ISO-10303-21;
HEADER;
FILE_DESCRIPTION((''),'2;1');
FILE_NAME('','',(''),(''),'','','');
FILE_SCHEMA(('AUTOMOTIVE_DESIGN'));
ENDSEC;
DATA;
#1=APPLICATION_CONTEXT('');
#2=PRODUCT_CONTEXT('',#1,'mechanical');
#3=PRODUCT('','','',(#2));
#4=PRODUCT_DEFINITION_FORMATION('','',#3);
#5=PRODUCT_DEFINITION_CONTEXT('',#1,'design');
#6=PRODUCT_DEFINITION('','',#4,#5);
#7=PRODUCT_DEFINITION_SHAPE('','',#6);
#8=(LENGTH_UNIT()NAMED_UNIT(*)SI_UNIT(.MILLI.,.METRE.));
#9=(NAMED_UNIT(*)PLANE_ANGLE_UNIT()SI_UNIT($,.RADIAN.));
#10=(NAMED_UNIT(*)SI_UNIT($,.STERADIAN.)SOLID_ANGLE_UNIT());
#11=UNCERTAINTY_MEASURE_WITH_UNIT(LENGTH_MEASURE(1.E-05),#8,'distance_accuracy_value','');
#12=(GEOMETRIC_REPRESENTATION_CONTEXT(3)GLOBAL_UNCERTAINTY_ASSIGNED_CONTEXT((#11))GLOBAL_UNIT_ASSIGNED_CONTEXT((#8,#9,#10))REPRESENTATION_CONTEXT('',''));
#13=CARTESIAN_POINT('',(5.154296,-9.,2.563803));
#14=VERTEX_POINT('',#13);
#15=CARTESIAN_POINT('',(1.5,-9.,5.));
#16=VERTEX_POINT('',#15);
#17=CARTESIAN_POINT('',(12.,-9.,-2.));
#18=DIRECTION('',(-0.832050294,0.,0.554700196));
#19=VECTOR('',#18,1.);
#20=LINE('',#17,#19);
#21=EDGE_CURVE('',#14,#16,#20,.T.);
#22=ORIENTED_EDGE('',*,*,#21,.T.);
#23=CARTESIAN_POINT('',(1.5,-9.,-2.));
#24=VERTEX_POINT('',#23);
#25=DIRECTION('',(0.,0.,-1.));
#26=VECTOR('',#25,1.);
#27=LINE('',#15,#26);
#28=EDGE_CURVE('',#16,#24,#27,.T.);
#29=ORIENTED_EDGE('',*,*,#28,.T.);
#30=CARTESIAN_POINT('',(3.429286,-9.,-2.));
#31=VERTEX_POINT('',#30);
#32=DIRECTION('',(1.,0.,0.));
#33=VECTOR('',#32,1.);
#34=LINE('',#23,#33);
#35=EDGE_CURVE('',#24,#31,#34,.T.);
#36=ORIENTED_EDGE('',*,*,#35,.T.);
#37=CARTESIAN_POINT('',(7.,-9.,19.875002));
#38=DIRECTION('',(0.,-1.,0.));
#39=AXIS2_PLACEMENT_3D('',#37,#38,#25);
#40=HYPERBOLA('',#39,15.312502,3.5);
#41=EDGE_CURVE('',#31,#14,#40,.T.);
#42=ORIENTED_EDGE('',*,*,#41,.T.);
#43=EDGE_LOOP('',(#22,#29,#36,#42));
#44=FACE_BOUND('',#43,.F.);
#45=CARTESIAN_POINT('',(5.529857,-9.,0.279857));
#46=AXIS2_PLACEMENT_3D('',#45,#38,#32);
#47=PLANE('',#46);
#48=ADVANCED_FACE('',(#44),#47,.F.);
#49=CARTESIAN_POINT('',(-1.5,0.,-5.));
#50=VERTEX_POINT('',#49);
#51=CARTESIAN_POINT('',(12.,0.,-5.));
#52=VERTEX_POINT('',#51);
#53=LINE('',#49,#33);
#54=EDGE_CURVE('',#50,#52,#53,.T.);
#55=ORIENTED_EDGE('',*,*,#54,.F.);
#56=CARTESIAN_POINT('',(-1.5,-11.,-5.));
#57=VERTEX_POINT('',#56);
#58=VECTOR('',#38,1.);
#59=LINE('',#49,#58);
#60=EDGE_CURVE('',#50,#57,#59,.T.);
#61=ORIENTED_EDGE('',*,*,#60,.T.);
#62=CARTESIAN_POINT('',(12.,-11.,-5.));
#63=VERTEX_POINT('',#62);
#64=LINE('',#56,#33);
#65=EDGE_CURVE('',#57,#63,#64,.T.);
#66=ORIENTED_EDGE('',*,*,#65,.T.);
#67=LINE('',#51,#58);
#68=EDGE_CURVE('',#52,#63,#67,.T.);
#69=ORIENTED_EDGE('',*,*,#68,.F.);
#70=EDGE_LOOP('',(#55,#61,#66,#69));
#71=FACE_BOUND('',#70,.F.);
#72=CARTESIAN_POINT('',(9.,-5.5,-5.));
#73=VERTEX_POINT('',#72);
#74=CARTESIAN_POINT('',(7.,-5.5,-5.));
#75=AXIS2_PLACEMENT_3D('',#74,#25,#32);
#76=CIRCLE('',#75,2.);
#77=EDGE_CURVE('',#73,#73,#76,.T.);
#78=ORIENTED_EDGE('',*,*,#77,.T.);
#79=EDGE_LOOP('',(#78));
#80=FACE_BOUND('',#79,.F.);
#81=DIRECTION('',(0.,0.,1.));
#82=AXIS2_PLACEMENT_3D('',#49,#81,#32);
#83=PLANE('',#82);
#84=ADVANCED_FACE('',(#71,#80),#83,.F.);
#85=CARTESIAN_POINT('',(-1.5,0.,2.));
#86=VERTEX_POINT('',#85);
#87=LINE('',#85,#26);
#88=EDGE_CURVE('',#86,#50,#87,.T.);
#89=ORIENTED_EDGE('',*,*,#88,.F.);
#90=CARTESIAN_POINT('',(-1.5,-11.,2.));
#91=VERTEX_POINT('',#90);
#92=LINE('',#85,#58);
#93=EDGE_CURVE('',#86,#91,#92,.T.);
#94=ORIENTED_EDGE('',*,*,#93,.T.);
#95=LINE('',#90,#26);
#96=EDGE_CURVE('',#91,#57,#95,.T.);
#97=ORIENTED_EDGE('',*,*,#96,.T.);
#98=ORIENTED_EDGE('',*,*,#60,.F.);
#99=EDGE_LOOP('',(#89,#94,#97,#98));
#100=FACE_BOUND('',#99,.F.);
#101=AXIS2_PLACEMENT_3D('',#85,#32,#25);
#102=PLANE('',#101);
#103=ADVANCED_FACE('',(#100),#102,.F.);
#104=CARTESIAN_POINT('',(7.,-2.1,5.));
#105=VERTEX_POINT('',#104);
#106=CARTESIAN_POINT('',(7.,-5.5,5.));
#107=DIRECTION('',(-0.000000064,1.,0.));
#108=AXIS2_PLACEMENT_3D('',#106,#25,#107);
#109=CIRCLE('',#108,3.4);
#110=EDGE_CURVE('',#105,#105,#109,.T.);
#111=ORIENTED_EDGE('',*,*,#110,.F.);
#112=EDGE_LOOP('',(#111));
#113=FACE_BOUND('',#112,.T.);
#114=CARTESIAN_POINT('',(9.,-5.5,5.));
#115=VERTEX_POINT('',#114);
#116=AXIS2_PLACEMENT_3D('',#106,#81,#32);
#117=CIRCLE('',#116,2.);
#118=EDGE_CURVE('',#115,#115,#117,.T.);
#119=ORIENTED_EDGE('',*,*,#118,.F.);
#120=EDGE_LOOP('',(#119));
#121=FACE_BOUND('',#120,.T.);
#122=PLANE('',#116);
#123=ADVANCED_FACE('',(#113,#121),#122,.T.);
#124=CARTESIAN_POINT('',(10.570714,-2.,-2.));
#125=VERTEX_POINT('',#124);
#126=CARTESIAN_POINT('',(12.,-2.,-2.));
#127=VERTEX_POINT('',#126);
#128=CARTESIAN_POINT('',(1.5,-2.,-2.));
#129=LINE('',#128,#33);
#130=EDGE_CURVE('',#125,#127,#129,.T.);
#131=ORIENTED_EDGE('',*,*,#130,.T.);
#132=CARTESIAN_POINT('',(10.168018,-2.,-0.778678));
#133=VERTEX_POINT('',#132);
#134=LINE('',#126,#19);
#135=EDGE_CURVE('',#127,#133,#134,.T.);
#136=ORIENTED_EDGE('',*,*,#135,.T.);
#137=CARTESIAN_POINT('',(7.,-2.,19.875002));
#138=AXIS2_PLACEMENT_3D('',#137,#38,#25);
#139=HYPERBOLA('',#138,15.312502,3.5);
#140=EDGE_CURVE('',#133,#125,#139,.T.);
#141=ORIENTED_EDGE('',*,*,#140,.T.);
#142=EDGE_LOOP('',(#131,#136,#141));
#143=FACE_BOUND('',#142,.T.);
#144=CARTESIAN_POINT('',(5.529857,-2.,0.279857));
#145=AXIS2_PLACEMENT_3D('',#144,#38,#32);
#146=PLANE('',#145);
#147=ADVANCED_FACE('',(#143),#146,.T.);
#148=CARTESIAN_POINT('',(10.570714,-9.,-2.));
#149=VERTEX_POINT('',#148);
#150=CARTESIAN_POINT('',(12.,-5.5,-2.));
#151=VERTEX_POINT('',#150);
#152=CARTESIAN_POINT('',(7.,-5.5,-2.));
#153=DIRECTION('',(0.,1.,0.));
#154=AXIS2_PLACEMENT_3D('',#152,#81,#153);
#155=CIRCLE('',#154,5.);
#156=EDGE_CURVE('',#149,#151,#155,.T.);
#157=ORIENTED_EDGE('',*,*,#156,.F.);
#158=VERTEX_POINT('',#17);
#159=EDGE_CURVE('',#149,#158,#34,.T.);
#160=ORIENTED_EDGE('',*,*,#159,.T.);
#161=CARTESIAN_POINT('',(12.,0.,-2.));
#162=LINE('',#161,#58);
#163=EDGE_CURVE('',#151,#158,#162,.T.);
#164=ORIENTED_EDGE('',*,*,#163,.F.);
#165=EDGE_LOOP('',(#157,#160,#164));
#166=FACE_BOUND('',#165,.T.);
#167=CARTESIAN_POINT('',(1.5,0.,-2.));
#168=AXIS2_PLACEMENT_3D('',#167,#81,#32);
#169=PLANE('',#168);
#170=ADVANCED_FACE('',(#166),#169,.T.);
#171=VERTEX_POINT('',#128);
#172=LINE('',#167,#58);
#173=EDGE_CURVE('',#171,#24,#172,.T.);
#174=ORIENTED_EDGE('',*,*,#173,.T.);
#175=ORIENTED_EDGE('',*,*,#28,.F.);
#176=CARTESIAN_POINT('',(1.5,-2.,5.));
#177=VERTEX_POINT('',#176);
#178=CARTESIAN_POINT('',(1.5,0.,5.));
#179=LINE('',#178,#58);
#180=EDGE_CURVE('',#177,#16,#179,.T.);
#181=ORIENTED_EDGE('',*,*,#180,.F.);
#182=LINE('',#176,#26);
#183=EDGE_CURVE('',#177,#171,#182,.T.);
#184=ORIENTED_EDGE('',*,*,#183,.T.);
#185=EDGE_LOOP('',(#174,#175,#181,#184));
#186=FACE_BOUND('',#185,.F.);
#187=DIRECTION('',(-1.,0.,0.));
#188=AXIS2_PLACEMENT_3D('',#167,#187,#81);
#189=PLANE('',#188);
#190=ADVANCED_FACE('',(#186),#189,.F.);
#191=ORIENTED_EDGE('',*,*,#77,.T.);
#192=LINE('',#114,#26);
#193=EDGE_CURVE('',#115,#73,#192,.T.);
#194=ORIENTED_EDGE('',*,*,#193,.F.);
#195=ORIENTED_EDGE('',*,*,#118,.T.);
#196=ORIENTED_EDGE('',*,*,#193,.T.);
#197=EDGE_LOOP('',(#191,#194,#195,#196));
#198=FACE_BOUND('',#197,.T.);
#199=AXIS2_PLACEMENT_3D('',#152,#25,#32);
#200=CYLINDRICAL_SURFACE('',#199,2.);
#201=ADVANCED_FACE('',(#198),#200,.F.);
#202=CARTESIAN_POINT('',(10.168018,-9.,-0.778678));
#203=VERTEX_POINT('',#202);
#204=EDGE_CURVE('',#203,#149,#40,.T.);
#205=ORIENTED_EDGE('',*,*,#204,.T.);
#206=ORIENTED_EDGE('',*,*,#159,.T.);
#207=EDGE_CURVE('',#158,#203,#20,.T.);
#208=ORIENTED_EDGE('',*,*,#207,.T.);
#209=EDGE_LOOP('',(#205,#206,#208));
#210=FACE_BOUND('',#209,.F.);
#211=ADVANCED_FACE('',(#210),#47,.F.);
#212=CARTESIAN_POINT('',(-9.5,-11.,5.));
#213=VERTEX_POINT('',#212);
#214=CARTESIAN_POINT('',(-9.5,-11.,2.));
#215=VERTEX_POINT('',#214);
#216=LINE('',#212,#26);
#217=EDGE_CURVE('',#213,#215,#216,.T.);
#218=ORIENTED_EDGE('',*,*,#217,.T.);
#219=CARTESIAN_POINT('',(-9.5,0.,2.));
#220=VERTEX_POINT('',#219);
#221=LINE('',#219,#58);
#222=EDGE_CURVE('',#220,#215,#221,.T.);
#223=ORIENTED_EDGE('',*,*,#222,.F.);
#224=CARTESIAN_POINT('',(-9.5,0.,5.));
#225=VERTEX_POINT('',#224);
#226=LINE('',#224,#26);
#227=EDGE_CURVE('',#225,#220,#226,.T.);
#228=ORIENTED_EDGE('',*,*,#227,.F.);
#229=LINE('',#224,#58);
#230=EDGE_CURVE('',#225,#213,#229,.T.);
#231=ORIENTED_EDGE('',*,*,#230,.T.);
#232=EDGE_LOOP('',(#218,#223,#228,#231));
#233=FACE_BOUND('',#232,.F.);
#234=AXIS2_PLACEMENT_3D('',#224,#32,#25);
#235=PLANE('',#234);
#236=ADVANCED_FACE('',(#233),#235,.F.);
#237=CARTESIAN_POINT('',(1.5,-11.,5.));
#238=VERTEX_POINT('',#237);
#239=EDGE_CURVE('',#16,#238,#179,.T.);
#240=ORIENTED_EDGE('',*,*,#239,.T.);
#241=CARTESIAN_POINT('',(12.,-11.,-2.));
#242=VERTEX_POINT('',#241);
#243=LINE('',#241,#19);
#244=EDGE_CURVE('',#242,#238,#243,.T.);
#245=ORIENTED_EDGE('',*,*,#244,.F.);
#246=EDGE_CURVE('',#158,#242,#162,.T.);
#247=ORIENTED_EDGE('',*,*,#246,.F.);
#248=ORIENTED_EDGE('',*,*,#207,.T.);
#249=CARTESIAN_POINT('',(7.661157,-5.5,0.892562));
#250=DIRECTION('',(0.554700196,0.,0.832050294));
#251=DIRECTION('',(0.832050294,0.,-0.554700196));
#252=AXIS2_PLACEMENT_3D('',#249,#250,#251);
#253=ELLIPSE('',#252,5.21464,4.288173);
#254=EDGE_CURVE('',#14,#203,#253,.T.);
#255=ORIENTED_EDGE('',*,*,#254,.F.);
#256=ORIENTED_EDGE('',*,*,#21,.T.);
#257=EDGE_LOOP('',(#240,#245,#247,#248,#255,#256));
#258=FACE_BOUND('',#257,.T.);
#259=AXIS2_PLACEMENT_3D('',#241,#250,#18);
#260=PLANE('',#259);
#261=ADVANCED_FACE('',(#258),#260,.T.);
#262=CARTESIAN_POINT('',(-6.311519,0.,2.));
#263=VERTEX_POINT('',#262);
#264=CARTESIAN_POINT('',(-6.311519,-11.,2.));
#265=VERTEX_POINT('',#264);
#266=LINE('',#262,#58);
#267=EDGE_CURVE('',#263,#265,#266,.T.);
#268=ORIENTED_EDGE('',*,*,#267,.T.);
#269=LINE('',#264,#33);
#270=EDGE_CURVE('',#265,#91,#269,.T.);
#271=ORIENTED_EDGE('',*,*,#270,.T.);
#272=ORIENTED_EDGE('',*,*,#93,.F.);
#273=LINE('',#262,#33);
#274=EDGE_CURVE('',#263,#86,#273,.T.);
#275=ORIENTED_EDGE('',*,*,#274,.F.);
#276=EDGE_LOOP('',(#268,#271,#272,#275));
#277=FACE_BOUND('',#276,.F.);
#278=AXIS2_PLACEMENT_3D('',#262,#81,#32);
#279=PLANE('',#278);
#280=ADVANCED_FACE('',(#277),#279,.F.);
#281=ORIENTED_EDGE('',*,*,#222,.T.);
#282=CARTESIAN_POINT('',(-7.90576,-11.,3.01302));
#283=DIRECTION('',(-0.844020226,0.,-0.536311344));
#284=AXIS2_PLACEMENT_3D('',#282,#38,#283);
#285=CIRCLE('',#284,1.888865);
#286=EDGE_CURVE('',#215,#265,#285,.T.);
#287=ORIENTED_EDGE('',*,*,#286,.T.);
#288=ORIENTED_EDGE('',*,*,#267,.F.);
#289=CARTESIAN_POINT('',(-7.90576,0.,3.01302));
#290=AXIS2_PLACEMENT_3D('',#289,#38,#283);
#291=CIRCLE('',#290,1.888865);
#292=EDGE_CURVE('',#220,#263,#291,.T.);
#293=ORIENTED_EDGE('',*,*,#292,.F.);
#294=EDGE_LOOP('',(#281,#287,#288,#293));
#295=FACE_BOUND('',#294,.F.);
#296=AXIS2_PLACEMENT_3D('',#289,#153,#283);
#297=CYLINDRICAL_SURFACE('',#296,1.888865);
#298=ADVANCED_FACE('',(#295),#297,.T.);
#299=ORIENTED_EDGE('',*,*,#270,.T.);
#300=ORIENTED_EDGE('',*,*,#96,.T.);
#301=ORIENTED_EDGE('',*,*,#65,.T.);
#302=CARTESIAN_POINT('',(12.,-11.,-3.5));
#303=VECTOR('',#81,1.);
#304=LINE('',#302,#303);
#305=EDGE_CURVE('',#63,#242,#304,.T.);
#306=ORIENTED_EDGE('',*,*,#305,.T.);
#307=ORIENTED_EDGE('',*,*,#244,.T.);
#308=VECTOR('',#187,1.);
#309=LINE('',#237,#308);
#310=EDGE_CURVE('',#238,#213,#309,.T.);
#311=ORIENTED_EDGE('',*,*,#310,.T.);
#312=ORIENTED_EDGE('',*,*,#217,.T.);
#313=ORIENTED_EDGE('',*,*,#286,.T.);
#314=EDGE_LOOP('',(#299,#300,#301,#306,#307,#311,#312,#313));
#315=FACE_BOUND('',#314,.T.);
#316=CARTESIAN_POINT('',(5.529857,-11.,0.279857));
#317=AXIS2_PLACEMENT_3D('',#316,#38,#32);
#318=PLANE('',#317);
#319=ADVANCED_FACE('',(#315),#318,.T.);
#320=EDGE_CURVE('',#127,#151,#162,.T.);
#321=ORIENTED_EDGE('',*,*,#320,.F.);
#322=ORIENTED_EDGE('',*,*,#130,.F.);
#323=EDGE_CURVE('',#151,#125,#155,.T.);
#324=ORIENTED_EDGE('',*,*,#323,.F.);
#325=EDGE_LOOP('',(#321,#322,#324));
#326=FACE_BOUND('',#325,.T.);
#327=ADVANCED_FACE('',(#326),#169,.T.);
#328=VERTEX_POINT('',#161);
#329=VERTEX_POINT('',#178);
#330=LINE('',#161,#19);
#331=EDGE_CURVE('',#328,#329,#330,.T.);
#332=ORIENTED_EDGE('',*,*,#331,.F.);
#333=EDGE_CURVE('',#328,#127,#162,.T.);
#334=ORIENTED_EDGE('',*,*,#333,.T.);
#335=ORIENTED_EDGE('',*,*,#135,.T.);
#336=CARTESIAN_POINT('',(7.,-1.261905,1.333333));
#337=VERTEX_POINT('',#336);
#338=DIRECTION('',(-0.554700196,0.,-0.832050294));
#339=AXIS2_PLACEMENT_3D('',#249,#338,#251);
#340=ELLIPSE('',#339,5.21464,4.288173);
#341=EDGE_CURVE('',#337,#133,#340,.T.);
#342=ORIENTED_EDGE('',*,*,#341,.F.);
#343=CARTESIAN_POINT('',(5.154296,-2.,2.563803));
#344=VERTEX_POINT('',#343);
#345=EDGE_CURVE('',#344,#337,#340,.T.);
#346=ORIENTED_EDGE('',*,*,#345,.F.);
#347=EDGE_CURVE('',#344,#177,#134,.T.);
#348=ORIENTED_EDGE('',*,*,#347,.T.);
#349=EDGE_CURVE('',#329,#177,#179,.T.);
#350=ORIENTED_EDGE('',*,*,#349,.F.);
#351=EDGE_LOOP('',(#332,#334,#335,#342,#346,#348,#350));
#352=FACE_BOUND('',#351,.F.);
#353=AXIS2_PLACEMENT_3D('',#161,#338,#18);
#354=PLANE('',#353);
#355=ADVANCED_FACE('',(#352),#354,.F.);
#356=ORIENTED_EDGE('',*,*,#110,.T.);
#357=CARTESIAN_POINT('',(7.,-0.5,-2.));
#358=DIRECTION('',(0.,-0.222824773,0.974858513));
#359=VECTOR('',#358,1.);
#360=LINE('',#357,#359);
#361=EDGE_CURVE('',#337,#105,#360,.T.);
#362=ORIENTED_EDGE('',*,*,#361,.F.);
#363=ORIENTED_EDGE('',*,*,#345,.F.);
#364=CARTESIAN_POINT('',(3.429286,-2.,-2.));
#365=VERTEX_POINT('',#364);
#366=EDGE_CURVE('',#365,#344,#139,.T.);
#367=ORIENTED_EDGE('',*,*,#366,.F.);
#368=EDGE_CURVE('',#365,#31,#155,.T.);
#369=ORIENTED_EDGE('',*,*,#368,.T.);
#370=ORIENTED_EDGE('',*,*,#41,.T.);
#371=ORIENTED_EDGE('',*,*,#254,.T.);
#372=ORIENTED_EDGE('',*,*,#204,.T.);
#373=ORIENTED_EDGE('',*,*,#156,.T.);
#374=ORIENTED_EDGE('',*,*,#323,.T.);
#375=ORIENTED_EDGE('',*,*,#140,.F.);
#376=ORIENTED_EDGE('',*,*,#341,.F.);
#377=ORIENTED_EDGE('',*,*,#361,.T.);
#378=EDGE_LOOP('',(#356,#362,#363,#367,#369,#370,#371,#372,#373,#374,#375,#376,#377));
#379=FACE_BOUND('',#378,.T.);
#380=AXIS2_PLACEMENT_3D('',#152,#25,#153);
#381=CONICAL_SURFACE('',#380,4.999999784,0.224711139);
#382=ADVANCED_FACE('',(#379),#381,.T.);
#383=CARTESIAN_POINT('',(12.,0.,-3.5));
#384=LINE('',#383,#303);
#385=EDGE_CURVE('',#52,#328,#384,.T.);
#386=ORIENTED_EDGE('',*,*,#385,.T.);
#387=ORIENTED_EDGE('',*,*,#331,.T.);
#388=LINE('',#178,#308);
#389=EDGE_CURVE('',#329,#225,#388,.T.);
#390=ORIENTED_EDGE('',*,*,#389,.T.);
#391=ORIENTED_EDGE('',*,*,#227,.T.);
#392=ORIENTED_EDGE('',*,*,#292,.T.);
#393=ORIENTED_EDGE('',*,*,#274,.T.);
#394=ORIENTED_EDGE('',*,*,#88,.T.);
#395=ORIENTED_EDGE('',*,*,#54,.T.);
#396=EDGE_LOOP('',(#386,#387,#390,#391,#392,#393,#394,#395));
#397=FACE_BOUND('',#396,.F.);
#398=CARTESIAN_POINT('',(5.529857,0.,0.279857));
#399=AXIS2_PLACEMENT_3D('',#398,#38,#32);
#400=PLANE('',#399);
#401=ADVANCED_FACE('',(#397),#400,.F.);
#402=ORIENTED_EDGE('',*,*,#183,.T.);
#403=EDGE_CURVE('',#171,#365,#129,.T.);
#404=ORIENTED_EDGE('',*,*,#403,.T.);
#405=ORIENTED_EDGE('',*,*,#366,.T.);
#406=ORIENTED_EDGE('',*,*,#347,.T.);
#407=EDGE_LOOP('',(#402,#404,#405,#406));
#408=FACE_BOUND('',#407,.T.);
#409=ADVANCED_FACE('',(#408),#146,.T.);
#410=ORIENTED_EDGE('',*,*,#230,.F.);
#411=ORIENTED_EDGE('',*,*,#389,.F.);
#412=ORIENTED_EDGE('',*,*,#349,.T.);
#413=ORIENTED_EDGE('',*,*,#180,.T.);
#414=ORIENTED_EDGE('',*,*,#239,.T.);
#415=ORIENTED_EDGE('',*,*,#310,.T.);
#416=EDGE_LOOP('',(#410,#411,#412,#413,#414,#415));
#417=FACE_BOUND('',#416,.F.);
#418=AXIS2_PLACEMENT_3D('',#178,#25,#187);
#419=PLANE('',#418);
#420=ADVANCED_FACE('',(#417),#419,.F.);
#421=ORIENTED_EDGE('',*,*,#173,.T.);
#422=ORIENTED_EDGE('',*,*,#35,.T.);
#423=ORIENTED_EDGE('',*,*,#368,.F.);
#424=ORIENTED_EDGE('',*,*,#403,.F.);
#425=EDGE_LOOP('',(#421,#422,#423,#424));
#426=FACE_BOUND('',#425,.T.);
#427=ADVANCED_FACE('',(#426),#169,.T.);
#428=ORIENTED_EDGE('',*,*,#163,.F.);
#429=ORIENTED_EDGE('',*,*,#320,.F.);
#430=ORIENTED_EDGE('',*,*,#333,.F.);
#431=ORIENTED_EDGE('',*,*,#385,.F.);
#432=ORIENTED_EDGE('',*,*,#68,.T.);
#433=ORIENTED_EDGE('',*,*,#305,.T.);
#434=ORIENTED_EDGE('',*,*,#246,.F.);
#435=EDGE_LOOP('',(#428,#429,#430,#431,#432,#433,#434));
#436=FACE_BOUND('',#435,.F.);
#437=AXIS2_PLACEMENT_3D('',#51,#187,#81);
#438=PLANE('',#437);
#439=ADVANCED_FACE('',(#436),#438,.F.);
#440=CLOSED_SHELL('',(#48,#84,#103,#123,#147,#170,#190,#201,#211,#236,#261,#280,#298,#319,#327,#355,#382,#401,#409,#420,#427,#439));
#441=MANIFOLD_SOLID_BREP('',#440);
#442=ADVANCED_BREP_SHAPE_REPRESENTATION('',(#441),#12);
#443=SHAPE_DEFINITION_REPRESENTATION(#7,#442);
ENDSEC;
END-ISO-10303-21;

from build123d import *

# Parameters (mm, degrees)
F0_W     = 10.5
F0_H     = 3
F1_DEPTH = 11
F2_DEPTH = 2
F4_DEPTH = 2
F5_R     = 2
F6_DEPTH = 25
F7_R     = 3.4
F7_R_2   = 2
F8_DEPTH = 7


with BuildPart() as f1:
    # F0 (on Front) → F1 (new body)
    with BuildSketch(Plane.XZ):
        with Locations((6.75, -3.5)):
            Rectangle(F0_W, F0_H)
        with BuildLine():
            Line((1.5, 4), (1.5, 5))
            Line((1.5, 5), (-9.5, 5))
            Line((-9.5, 5), (-9.5, 2))
            ThreePointArc((-9.5, 2), (-7.9057595357, 1.1241546177), (-6.3115190715, 2))
            Line((-6.3115190715, 2), (-1.5, 2))
            Line((-1.5, 2), (-1.5, -4))
            Line((-1.5, -4), (-1.5, -5))
            Line((-1.5, -5), (1.5, -5))
            Line((1.5, -5), (1.5, -2))
            Line((1.5, -2), (1.5, 4))
        make_face()
    extrude(amount=F1_DEPTH)

    # F0 (on Front) → F2 (join)
    with BuildSketch(Plane.XZ):
        Polygon((12, -2), (1.5, 5), (1.5, 4), (1.5, -2), align=None)
    extrude(amount=F2_DEPTH)

    # F3 (on face) → F4 (join)
    with BuildSketch(Plane.XZ.offset(11)):
        Polygon((1.5, -2), (12, -2), (1.5, 5), align=None)
    extrude(amount=-F4_DEPTH)

    # F5 (on face) → F6 (cut)
    with BuildSketch(Plane(origin=(0, 0, -5), x_dir=(1, 0, 0), z_dir=(0, 0, -1))):
        with Locations((7.0000002161, 5.5)):
            Circle(F5_R)
    extrude(amount=-F6_DEPTH, mode=Mode.SUBTRACT)

    # F7 (on face) → F8 (join)
    with BuildSketch(Plane.XY.offset(-2)):
        with Locations((7.0000002161, -5.5)):
            Circle(F7_R)
        with Locations((7.0000002161, -5.5)):
            Circle(F7_R_2, mode=Mode.SUBTRACT)
    extrude(amount=F8_DEPTH)

    # F10 (on offset) → F11 (revolve)
    with BuildSketch(Plane.YZ.offset(7)):
        Polygon((-2.1, 5), (-2.1, -2), (-2, -2), (-0.5000002161, -2), align=None)
    revolve(axis=Axis((7, -5.5, 1.7165149804), (0, 0, 1)))


solid = f1.part
